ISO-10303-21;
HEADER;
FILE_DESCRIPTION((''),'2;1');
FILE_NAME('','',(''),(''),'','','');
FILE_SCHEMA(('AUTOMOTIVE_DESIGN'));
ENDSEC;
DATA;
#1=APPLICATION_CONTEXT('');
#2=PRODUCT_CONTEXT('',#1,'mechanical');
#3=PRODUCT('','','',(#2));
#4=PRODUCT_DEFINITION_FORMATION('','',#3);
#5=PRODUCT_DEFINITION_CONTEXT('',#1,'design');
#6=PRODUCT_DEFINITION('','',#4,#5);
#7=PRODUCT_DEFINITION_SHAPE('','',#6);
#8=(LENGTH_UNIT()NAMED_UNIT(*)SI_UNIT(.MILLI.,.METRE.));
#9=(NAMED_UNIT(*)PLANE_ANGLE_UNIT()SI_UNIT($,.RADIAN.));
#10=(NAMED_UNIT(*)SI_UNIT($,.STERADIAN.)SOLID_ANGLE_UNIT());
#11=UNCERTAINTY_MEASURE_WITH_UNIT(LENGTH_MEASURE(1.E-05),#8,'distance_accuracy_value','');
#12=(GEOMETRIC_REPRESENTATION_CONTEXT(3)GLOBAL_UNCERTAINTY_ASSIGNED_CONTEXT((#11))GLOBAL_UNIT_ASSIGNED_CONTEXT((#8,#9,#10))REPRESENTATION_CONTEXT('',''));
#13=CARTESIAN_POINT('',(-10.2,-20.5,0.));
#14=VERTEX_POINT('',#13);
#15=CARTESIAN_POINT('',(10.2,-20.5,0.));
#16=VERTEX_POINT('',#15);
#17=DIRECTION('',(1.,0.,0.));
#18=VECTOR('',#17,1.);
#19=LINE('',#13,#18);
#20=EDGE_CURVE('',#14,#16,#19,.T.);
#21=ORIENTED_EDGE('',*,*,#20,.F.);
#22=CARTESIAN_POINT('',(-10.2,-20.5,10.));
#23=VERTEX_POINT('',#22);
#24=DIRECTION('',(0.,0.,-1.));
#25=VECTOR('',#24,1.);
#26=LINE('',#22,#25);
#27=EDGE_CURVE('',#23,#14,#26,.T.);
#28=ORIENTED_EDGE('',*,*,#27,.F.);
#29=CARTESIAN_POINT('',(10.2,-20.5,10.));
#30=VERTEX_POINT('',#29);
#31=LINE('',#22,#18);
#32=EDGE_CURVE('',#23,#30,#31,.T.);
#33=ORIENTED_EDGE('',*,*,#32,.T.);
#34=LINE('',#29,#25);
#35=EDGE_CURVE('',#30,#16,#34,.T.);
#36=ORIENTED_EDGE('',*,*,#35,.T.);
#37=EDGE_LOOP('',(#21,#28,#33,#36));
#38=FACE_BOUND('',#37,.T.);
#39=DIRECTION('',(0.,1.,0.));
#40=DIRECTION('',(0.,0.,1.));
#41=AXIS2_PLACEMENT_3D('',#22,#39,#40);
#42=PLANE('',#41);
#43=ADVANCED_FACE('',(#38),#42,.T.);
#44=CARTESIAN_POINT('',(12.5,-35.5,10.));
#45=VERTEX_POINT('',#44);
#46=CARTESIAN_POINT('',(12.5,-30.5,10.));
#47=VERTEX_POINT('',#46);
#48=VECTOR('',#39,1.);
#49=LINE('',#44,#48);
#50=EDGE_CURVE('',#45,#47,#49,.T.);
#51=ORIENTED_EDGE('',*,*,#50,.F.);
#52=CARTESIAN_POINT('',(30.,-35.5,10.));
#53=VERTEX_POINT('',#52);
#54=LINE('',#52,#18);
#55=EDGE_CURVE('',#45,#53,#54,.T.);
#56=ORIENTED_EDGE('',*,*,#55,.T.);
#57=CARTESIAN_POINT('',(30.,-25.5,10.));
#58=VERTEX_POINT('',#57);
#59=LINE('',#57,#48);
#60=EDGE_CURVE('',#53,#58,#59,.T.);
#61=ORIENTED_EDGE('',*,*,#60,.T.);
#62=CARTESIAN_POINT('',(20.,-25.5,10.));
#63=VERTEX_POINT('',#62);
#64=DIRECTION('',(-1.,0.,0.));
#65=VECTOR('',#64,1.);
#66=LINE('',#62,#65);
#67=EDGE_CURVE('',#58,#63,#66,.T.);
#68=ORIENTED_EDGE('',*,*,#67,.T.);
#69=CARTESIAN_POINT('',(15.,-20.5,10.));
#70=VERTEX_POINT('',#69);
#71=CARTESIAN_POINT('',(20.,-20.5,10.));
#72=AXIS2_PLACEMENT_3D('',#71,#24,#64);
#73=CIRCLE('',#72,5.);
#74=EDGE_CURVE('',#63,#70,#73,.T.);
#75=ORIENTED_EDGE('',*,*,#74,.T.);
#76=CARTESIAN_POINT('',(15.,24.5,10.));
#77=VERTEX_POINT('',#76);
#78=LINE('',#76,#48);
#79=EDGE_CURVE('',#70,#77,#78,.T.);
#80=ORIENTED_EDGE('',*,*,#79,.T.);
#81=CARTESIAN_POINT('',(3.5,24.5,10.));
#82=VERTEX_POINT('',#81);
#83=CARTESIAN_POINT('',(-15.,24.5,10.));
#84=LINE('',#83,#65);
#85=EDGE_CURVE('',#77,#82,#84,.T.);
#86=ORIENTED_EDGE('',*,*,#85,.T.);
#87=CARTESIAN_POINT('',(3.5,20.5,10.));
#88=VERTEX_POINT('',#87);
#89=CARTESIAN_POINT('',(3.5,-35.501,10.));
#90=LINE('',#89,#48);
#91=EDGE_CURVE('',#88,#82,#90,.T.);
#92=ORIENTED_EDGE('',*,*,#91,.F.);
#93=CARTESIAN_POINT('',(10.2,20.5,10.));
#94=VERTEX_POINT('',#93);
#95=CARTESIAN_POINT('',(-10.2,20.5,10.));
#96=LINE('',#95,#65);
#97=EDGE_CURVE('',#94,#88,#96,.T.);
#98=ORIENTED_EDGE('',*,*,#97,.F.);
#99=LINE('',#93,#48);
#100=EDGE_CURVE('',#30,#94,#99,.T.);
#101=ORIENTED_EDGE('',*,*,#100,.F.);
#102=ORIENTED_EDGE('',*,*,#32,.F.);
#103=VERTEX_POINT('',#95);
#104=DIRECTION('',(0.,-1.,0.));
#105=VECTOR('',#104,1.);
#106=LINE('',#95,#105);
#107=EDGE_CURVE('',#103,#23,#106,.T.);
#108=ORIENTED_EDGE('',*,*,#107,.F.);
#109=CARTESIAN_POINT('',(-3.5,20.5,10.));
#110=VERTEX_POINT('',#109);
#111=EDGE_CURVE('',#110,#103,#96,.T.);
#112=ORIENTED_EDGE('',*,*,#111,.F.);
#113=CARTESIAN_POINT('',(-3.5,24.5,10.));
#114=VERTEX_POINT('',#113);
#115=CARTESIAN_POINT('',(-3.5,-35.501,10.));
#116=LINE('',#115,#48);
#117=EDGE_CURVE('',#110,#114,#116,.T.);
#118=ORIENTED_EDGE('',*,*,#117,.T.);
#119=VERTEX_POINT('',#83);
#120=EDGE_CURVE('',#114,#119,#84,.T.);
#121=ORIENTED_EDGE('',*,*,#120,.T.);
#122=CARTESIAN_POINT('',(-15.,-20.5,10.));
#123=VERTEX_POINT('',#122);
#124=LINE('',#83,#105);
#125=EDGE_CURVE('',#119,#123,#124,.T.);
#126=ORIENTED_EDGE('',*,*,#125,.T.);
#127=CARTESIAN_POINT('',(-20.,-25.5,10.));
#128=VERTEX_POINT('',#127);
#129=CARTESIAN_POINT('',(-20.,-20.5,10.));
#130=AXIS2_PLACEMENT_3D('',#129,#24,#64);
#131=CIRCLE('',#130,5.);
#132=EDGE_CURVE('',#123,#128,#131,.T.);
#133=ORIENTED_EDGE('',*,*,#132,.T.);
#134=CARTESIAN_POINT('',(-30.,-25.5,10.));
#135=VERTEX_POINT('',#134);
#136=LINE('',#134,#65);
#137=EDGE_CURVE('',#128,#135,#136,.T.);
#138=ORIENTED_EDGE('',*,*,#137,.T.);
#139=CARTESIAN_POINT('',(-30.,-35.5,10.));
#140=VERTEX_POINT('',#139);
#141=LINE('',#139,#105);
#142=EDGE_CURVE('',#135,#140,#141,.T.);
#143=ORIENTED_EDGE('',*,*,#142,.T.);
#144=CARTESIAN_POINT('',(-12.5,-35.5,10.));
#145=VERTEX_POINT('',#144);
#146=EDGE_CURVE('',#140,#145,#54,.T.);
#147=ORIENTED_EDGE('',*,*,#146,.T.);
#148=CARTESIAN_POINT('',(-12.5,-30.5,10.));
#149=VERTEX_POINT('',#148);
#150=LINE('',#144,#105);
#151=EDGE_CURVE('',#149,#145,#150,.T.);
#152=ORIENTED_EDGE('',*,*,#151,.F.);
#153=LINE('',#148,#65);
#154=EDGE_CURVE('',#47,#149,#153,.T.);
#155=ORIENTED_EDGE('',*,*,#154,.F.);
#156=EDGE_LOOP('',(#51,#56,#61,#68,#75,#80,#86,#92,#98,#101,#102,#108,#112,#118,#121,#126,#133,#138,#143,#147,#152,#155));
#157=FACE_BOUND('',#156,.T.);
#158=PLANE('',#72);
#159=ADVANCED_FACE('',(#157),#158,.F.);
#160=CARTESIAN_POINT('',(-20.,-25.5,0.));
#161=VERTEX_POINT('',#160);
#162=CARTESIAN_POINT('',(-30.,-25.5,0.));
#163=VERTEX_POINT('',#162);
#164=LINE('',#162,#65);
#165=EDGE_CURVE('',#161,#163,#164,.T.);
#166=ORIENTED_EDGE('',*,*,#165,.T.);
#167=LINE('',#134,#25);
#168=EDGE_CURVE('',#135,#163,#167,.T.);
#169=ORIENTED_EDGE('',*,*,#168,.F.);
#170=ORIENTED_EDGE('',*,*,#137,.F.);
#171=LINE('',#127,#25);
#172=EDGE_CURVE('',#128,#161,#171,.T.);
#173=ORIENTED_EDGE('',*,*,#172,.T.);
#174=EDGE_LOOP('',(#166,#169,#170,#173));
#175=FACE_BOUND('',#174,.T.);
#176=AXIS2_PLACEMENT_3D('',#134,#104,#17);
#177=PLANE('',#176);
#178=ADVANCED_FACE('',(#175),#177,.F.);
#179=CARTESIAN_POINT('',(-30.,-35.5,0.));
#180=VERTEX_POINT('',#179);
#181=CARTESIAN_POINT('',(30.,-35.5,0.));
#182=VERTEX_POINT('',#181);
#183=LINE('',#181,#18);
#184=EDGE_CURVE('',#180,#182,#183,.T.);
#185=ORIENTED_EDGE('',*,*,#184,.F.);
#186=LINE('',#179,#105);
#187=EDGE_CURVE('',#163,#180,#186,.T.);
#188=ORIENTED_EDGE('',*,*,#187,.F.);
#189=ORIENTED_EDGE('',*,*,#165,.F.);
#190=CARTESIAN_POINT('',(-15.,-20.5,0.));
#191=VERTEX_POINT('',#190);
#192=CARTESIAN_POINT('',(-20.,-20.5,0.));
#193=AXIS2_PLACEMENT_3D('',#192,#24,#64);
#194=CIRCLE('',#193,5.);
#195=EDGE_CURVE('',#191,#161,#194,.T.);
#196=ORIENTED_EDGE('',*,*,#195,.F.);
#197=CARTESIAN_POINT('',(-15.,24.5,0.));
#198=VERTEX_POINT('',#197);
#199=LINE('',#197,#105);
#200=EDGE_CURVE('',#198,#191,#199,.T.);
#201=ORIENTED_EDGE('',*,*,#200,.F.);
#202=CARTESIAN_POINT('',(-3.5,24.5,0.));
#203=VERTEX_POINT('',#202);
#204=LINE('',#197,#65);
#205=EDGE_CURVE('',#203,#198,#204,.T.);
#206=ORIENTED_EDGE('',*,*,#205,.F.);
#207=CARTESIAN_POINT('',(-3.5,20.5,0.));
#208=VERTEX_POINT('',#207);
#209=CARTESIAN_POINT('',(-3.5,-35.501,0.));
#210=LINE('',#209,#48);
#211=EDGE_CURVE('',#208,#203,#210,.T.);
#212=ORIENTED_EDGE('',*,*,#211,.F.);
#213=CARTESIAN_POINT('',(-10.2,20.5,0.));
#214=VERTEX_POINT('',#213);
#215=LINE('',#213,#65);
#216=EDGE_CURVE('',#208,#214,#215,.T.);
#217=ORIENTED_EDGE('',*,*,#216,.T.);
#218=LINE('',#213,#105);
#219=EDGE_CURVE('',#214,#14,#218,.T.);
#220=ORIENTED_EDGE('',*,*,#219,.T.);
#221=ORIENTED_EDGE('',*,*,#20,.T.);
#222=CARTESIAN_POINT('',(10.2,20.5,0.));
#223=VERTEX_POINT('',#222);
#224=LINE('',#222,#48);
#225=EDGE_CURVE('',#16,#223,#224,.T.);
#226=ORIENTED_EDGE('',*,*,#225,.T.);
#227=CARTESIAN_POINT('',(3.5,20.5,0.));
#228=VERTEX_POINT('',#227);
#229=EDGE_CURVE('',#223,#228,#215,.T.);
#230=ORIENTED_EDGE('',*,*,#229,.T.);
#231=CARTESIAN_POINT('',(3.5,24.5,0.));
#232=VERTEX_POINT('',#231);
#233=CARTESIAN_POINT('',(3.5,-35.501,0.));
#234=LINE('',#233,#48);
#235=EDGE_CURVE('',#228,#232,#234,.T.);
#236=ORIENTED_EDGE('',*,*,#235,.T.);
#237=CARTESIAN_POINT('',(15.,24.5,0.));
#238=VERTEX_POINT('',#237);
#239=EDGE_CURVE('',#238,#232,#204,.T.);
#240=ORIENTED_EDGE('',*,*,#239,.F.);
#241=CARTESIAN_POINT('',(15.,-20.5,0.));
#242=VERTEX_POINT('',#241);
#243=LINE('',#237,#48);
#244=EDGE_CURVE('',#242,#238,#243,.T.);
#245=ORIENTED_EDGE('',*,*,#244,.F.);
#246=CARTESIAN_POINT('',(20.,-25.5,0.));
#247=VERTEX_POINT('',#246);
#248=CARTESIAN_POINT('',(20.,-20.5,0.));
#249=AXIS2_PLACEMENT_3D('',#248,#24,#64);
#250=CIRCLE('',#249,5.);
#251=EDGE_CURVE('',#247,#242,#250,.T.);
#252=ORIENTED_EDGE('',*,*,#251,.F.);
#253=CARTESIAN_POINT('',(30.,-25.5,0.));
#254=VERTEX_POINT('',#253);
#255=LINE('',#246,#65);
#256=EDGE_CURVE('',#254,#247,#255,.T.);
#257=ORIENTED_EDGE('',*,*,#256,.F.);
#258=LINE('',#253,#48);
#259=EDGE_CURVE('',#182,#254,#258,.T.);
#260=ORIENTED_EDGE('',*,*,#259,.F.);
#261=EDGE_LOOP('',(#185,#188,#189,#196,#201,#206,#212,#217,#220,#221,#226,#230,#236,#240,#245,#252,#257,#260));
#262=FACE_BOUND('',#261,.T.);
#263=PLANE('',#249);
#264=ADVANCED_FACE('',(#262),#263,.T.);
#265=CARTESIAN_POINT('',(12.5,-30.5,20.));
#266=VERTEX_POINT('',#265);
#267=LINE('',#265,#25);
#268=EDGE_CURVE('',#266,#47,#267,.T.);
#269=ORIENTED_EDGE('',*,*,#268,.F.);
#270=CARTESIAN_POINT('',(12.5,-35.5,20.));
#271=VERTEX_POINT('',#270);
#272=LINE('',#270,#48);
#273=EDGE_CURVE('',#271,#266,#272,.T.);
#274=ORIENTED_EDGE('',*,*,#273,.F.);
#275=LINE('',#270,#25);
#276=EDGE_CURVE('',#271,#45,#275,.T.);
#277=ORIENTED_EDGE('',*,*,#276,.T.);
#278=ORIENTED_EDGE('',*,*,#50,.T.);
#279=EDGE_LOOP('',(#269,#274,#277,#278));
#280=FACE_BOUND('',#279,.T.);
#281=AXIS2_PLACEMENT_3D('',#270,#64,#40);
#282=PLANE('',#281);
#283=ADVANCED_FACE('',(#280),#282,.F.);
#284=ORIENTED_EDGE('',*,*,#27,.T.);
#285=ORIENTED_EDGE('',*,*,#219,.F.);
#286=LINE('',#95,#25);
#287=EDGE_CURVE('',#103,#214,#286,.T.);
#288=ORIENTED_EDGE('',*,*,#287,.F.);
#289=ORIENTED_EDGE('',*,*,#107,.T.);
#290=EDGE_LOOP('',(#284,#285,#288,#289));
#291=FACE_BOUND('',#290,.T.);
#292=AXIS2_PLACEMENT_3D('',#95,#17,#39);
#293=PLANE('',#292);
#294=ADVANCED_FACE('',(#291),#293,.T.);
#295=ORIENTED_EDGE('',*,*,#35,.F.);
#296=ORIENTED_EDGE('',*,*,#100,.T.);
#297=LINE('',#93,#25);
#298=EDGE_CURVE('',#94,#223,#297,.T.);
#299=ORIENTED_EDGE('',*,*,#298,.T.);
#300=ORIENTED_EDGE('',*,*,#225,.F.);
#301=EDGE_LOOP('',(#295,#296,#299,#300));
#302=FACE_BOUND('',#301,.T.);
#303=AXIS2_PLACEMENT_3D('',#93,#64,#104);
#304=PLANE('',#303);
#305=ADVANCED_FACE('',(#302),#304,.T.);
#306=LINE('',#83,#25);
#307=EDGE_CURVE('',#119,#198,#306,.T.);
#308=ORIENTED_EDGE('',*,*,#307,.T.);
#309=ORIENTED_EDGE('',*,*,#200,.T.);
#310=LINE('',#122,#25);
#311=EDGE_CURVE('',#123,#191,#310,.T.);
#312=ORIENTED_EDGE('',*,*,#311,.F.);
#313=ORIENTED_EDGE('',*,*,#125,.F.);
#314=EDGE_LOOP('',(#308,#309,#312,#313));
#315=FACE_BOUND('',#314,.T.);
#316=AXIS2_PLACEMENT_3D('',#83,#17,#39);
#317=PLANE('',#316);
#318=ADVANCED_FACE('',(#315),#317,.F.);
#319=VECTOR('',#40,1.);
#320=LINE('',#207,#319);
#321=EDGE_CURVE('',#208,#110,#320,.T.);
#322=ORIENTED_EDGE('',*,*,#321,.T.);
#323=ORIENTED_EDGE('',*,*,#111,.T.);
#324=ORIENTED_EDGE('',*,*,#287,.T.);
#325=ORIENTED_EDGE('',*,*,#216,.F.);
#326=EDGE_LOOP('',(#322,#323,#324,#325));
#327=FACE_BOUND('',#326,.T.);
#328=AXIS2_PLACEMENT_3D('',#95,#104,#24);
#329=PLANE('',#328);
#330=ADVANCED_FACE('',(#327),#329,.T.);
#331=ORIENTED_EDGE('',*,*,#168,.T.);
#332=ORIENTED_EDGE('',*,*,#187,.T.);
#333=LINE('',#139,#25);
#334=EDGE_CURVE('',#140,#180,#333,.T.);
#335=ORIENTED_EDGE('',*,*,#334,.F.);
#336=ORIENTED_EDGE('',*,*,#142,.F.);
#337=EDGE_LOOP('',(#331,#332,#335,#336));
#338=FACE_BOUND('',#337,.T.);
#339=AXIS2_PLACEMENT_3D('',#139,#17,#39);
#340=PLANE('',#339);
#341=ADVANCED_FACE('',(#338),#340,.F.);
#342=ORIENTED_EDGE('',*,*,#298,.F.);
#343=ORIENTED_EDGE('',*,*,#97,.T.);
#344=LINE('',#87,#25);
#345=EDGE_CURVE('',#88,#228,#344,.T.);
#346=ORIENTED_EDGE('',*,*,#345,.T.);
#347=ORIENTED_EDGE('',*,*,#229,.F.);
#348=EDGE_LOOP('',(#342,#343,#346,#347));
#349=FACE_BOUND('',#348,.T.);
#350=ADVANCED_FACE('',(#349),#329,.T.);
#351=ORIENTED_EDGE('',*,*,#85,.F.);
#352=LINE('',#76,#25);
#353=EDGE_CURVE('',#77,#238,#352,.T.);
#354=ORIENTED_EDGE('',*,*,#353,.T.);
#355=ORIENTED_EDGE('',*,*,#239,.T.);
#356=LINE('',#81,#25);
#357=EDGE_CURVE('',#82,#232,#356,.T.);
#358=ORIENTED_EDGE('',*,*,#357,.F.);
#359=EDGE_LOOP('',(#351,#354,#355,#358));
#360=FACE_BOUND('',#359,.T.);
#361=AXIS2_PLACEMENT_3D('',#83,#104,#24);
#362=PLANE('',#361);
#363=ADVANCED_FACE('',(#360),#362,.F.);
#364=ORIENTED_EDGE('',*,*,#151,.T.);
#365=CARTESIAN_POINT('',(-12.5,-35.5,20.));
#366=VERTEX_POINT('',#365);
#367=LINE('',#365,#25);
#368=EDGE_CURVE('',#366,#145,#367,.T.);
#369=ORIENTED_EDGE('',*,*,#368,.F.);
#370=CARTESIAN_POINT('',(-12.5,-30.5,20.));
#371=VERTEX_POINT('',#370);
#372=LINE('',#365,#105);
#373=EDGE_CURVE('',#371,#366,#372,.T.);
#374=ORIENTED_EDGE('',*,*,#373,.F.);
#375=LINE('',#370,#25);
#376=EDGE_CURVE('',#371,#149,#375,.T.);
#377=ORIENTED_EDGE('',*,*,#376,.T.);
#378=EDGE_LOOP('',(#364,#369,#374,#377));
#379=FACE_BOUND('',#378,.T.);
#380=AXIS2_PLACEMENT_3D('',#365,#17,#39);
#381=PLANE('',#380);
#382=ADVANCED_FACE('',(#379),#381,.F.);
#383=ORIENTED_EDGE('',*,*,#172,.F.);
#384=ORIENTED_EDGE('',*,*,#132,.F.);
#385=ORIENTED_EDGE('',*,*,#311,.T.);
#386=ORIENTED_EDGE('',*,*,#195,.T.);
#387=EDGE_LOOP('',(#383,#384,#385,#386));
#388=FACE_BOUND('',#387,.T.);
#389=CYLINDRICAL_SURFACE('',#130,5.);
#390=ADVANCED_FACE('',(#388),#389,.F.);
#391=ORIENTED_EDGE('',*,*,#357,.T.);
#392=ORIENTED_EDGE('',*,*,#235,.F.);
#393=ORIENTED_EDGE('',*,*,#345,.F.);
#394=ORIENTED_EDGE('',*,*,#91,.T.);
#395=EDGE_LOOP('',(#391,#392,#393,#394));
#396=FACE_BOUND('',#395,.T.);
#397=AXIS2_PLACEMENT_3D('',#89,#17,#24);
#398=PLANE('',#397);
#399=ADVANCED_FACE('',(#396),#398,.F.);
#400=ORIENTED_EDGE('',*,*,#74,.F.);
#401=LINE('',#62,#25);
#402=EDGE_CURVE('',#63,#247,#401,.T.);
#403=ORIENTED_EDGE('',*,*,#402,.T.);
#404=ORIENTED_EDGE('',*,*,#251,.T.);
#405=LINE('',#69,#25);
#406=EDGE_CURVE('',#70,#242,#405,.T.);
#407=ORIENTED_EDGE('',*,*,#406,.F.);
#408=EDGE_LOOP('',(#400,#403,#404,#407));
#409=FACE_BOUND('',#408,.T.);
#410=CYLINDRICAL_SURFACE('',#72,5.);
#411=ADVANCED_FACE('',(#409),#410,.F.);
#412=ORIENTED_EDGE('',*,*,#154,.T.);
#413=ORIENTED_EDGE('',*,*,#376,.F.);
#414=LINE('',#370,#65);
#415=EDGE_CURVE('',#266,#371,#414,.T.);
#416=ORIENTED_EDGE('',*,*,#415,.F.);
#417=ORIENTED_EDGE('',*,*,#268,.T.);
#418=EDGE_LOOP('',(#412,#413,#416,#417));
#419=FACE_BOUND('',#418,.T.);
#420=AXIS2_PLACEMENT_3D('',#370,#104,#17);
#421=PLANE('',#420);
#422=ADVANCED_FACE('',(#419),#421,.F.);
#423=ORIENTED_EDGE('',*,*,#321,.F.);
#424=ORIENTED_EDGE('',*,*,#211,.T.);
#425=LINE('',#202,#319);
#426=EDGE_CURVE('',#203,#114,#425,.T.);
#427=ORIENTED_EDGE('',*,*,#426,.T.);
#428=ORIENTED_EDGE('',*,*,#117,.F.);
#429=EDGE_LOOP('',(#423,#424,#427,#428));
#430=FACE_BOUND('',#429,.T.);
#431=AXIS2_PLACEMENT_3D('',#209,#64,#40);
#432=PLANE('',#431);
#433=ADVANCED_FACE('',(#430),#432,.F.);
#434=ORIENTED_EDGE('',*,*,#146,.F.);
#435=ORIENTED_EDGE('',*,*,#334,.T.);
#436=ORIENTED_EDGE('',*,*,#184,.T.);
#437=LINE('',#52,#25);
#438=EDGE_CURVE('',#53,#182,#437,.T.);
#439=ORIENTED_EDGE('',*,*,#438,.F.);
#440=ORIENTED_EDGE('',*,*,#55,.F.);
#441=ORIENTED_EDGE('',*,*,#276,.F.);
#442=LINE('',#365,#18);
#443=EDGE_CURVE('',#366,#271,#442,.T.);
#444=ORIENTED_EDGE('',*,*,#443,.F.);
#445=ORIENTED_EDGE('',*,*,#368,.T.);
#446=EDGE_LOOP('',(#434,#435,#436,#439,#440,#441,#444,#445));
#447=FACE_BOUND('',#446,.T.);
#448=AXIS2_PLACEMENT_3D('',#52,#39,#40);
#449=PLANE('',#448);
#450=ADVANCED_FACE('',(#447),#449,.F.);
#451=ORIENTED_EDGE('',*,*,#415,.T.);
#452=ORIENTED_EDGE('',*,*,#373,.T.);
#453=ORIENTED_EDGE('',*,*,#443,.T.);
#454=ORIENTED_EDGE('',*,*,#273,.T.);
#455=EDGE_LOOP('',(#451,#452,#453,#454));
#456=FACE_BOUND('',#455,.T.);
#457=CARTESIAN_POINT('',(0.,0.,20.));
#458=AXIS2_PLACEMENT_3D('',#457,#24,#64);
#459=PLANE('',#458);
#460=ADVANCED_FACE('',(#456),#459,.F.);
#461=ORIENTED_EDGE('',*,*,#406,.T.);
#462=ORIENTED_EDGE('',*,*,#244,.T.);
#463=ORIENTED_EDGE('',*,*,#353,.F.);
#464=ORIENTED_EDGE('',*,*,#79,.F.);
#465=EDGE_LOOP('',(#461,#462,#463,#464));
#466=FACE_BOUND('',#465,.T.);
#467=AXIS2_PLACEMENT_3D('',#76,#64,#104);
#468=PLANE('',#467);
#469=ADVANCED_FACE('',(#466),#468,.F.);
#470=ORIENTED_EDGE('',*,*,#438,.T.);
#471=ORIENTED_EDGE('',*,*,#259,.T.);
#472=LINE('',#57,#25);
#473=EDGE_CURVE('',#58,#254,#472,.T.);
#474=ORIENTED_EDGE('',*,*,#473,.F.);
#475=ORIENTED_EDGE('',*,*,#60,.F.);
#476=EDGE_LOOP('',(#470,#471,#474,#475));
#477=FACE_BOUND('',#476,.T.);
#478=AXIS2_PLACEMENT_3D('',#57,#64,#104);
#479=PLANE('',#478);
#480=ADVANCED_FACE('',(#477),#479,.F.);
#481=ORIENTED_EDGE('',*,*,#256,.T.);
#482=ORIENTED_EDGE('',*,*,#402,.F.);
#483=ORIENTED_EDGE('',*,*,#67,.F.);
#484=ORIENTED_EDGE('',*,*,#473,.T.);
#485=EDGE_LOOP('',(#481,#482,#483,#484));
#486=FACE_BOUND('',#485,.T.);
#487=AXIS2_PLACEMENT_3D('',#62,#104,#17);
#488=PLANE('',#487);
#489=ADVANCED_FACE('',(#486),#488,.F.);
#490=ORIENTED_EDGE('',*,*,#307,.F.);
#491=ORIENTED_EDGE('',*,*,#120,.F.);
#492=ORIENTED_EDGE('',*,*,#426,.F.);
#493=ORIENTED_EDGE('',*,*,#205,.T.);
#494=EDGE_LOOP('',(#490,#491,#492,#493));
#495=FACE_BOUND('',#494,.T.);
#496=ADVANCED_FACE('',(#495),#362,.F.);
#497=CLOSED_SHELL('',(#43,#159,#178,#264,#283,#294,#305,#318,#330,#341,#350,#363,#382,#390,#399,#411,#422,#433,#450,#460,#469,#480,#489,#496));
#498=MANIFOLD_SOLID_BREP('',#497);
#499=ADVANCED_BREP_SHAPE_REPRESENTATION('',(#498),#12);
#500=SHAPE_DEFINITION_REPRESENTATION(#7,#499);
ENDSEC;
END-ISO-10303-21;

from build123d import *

# Parameters (mm, degrees)
SKETCH1_W           = 20.4
SKETCH1_H           = 41
BOSS_EXTRUDE1_DEPTH = 10
CUT_EXTRUDE1_REACH  = 69.823
SKETCH2_W           = 7
SKETCH2_H           = 10
SKETCH3_W           = 25
SKETCH3_H           = 5
BOSS_EXTRUDE2_DEPTH = 10


with BuildPart() as part:
    # Sketch1 → Boss-Extrude1 (new body)
    with BuildSketch(Plane.XY):
        with BuildLine():
            Line((-15, 24.5), (-15, -20.5))
            ThreePointArc((-15, -20.5), (-16.464466094, -24.035533906), (-20, -25.5))
            Line((-20, -25.5), (-30, -25.5))
            Line((-30, -25.5), (-30, -35.5))
            Line((-30, -35.5), (30, -35.5))
            Line((30, -35.5), (30, -25.5))
            Line((30, -25.5), (20, -25.5))
            ThreePointArc((20, -25.5), (16.464466094, -24.035533906), (15, -20.5))
            Line((15, -20.5), (15, 24.5))
            Line((15, 24.5), (-15, 24.5))
        make_face()
        Rectangle(SKETCH1_W, SKETCH1_H, mode=Mode.SUBTRACT)
    extrude(amount=BOSS_EXTRUDE1_DEPTH)

    # Sketch2 → Cut-Extrude1 (cut, up to next)
    with BuildSketch(Plane(origin=(0, 24.5, 0), x_dir=(1, 0, 0), z_dir=(0, 1, 0)), mode=Mode.PRIVATE) as cut_extrude1_sk1:
        with Locations((0, -5)):
            Rectangle(SKETCH2_W, SKETCH2_H)
    cut_extrude1_tool1 = extrude(cut_extrude1_sk1.sketch, amount=-CUT_EXTRUDE1_REACH, mode=Mode.PRIVATE) & part.part
    add(cut_extrude1_tool1.solids().sort_by_distance((0, 24.5, 5))[0], mode=Mode.SUBTRACT)

    # Sketch3 → Boss-Extrude2 (add)
    with BuildSketch(Plane.XY.offset(10)):
        with Locations((0, -33)):
            Rectangle(SKETCH3_W, SKETCH3_H)
    extrude(amount=BOSS_EXTRUDE2_DEPTH)


solid = part.part
